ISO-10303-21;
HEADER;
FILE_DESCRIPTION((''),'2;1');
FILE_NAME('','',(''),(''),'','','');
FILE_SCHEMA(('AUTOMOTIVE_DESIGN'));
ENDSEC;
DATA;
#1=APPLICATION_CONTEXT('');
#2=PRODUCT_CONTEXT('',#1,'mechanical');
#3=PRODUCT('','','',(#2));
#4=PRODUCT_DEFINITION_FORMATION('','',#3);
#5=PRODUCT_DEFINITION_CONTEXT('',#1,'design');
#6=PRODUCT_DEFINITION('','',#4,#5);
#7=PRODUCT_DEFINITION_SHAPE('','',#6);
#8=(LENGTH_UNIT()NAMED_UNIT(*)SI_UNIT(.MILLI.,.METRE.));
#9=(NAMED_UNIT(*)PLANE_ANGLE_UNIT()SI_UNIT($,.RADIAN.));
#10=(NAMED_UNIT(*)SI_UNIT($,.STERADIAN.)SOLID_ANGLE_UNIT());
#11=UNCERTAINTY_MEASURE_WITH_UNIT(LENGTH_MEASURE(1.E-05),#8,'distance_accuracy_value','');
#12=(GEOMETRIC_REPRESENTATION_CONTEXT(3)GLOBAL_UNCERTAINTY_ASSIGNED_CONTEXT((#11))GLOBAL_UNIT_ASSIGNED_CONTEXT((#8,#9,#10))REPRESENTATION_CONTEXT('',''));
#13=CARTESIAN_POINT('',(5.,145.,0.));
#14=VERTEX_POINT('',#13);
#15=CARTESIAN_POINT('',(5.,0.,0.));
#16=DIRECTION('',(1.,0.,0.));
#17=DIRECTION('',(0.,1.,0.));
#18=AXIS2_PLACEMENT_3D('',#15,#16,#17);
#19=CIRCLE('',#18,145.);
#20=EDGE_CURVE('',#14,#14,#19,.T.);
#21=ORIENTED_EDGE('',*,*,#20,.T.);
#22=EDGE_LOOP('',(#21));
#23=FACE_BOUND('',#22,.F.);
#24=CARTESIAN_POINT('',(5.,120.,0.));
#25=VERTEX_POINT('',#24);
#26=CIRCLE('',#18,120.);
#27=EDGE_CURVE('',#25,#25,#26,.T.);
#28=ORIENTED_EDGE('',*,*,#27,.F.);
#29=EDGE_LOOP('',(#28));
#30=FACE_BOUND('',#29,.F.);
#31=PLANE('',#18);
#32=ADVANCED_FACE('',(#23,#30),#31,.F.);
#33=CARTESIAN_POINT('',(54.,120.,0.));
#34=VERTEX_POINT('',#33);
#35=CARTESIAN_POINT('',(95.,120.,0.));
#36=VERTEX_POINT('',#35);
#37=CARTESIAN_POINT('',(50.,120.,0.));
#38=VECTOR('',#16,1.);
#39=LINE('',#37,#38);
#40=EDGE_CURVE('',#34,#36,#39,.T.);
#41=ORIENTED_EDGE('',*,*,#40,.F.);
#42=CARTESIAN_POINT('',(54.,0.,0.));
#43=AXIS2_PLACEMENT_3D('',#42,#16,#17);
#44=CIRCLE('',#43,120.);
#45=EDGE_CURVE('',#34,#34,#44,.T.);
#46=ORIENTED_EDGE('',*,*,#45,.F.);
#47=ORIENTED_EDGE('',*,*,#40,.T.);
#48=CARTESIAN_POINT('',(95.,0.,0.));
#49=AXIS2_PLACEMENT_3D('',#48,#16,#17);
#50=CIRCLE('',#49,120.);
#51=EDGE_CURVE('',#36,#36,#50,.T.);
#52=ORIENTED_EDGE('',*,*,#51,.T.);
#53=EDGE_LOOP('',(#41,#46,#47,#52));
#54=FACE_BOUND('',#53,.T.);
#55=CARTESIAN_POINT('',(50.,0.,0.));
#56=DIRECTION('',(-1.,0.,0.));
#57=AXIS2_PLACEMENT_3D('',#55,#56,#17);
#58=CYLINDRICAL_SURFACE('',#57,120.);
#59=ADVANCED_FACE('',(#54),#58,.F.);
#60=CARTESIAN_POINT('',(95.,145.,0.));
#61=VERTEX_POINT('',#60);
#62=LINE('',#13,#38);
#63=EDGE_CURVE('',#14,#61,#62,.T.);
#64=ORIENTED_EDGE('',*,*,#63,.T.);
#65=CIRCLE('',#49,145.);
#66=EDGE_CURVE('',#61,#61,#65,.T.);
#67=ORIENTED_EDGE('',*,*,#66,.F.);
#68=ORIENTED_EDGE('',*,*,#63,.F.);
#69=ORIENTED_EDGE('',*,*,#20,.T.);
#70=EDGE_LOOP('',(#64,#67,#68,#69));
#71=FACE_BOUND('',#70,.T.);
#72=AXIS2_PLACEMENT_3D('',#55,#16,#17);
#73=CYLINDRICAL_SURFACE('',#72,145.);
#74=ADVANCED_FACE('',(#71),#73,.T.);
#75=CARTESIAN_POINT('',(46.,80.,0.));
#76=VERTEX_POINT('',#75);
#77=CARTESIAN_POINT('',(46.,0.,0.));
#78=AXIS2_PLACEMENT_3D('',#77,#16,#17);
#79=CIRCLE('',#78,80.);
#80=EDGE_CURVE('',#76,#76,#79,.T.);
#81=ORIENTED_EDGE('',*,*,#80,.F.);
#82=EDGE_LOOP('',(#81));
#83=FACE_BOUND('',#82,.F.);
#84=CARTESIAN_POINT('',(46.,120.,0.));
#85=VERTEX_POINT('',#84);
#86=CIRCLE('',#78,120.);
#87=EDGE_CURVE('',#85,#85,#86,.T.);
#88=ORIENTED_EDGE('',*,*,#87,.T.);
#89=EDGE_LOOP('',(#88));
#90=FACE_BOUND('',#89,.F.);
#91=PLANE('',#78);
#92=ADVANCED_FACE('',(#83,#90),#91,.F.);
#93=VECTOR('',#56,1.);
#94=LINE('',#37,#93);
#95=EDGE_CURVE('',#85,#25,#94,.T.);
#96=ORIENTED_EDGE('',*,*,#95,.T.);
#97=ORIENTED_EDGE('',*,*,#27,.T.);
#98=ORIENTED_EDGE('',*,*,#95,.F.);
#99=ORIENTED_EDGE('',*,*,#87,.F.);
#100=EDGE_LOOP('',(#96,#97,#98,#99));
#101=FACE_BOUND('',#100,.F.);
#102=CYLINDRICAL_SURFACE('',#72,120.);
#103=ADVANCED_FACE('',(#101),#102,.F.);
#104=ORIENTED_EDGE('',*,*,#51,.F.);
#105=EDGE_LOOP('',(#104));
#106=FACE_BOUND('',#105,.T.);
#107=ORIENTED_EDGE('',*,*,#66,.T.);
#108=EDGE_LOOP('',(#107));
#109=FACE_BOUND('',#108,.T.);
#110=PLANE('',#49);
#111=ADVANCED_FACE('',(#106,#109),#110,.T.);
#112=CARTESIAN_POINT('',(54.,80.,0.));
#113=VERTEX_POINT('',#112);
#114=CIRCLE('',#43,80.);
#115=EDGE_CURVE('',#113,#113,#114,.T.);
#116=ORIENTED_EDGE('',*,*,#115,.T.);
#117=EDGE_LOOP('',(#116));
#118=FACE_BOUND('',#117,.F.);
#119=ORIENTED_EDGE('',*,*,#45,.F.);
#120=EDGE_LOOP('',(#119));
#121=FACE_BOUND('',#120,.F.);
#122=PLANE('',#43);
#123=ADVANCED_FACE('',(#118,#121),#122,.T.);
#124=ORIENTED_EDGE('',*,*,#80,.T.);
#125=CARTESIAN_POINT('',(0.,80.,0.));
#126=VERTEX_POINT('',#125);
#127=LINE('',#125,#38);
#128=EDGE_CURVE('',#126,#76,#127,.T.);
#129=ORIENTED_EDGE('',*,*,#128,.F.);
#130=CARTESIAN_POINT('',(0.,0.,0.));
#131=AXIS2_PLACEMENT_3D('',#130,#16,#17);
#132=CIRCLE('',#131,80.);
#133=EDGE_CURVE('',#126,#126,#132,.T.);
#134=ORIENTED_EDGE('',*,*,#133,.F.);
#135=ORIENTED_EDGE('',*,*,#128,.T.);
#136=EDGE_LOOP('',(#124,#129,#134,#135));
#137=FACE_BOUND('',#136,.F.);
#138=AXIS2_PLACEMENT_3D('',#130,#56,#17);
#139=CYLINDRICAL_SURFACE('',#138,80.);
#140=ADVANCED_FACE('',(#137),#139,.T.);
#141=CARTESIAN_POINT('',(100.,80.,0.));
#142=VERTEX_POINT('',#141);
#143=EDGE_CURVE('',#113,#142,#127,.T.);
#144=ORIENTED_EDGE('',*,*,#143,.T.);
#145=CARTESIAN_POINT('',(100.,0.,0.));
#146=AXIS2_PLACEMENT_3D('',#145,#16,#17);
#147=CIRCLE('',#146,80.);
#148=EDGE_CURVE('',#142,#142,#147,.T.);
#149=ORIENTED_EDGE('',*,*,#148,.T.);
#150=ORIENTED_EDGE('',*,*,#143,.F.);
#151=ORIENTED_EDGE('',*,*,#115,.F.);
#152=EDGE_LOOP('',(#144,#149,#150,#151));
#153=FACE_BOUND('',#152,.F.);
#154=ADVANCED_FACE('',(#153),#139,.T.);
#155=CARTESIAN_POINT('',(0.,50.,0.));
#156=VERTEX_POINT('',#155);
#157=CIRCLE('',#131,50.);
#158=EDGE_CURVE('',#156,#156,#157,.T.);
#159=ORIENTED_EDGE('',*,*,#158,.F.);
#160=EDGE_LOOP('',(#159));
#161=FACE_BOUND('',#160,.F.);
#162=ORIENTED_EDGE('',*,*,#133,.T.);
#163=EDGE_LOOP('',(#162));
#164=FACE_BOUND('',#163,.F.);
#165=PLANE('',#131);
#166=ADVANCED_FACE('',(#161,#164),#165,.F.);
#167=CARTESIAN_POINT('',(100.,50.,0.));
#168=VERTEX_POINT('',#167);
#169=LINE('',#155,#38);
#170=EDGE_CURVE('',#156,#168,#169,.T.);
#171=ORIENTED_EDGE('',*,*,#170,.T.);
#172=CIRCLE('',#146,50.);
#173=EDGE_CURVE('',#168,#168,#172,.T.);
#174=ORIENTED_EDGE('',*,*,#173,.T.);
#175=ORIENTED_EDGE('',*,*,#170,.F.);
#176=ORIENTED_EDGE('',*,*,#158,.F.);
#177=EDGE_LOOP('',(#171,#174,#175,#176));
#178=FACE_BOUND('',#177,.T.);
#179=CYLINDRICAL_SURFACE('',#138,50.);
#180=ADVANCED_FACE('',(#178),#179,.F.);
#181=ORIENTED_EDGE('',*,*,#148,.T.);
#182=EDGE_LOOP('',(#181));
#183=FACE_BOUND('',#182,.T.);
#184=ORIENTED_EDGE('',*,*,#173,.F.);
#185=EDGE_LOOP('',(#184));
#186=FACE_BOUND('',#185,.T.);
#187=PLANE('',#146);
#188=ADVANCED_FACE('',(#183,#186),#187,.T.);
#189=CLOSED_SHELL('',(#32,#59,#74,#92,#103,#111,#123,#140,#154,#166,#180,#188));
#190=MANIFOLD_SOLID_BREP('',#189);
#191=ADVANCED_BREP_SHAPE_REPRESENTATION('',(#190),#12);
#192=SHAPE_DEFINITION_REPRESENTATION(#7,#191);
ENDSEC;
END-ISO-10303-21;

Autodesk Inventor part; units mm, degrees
ref_plane "XZ Plane" through (0, 0, 0) normal (0, 1, 0) x (-1, 0, 0)
sketch "Sketch1" plane through (0, 0, 0) normal (1, 0, 0) x (0, 1, 0)
  circle A0 centre (0, 0) radius 50
  circle A1 centre (0, 0) radius 80
  dimension "d0" = 100
  dimension "d1" = 160
extrude "Extrusion1" add sketch "Sketch1" along normal blind 100
ref_plane "Work Plane1" through (0, 0, 0) normal (0, 0, 1) x (1, 0, 0)
sketch "Sketch2" plane through (0, 0, 0) normal (0, 0, 1) x (1, 0, 0)
  line L0 (0, 80) -> (100, 80) projected
  line L1 (54, 80) -> (54, 120)
  line L2 (54, 120) -> (46, 120)
  line L3 (46, 120) -> (46, 80)
  line L4 (0, -80) -> (0, 80) projected
  line L5 (-20, 0) -> (120, 0) projected
  point P0 (0, 0)
  dimension "d5" = 8
  dimension "d6" = 46
  dimension "d7" = 40
revolve "Revolution1" add sketch "Sketch2" angle 360 about axis through (-10, 0, 0) along (1, 0, 0)
ref_plane "Work Plane2" through (50, 0, 0) normal (1, 0, 0) x (0, 1, 0)
sketch "Sketch4" plane through (50, 0, 0) normal (1, 0, 0) x (0, 1, 0)
  circle A0 centre (0, 0) radius 145
  circle A1 centre (0, 0) radius 120
  dimension "d12" = 290
  dimension "d13" = 240
extrude "Extrusion2" add sketch "Sketch4" along normal mid plane 90
sketch "Sketch5" plane through (95, 0, 0) normal (1, 0, 0) x (0, 0, -1)
  point P0 (0, 0)
properties part number "DiscoPaleSatdio1-3"
